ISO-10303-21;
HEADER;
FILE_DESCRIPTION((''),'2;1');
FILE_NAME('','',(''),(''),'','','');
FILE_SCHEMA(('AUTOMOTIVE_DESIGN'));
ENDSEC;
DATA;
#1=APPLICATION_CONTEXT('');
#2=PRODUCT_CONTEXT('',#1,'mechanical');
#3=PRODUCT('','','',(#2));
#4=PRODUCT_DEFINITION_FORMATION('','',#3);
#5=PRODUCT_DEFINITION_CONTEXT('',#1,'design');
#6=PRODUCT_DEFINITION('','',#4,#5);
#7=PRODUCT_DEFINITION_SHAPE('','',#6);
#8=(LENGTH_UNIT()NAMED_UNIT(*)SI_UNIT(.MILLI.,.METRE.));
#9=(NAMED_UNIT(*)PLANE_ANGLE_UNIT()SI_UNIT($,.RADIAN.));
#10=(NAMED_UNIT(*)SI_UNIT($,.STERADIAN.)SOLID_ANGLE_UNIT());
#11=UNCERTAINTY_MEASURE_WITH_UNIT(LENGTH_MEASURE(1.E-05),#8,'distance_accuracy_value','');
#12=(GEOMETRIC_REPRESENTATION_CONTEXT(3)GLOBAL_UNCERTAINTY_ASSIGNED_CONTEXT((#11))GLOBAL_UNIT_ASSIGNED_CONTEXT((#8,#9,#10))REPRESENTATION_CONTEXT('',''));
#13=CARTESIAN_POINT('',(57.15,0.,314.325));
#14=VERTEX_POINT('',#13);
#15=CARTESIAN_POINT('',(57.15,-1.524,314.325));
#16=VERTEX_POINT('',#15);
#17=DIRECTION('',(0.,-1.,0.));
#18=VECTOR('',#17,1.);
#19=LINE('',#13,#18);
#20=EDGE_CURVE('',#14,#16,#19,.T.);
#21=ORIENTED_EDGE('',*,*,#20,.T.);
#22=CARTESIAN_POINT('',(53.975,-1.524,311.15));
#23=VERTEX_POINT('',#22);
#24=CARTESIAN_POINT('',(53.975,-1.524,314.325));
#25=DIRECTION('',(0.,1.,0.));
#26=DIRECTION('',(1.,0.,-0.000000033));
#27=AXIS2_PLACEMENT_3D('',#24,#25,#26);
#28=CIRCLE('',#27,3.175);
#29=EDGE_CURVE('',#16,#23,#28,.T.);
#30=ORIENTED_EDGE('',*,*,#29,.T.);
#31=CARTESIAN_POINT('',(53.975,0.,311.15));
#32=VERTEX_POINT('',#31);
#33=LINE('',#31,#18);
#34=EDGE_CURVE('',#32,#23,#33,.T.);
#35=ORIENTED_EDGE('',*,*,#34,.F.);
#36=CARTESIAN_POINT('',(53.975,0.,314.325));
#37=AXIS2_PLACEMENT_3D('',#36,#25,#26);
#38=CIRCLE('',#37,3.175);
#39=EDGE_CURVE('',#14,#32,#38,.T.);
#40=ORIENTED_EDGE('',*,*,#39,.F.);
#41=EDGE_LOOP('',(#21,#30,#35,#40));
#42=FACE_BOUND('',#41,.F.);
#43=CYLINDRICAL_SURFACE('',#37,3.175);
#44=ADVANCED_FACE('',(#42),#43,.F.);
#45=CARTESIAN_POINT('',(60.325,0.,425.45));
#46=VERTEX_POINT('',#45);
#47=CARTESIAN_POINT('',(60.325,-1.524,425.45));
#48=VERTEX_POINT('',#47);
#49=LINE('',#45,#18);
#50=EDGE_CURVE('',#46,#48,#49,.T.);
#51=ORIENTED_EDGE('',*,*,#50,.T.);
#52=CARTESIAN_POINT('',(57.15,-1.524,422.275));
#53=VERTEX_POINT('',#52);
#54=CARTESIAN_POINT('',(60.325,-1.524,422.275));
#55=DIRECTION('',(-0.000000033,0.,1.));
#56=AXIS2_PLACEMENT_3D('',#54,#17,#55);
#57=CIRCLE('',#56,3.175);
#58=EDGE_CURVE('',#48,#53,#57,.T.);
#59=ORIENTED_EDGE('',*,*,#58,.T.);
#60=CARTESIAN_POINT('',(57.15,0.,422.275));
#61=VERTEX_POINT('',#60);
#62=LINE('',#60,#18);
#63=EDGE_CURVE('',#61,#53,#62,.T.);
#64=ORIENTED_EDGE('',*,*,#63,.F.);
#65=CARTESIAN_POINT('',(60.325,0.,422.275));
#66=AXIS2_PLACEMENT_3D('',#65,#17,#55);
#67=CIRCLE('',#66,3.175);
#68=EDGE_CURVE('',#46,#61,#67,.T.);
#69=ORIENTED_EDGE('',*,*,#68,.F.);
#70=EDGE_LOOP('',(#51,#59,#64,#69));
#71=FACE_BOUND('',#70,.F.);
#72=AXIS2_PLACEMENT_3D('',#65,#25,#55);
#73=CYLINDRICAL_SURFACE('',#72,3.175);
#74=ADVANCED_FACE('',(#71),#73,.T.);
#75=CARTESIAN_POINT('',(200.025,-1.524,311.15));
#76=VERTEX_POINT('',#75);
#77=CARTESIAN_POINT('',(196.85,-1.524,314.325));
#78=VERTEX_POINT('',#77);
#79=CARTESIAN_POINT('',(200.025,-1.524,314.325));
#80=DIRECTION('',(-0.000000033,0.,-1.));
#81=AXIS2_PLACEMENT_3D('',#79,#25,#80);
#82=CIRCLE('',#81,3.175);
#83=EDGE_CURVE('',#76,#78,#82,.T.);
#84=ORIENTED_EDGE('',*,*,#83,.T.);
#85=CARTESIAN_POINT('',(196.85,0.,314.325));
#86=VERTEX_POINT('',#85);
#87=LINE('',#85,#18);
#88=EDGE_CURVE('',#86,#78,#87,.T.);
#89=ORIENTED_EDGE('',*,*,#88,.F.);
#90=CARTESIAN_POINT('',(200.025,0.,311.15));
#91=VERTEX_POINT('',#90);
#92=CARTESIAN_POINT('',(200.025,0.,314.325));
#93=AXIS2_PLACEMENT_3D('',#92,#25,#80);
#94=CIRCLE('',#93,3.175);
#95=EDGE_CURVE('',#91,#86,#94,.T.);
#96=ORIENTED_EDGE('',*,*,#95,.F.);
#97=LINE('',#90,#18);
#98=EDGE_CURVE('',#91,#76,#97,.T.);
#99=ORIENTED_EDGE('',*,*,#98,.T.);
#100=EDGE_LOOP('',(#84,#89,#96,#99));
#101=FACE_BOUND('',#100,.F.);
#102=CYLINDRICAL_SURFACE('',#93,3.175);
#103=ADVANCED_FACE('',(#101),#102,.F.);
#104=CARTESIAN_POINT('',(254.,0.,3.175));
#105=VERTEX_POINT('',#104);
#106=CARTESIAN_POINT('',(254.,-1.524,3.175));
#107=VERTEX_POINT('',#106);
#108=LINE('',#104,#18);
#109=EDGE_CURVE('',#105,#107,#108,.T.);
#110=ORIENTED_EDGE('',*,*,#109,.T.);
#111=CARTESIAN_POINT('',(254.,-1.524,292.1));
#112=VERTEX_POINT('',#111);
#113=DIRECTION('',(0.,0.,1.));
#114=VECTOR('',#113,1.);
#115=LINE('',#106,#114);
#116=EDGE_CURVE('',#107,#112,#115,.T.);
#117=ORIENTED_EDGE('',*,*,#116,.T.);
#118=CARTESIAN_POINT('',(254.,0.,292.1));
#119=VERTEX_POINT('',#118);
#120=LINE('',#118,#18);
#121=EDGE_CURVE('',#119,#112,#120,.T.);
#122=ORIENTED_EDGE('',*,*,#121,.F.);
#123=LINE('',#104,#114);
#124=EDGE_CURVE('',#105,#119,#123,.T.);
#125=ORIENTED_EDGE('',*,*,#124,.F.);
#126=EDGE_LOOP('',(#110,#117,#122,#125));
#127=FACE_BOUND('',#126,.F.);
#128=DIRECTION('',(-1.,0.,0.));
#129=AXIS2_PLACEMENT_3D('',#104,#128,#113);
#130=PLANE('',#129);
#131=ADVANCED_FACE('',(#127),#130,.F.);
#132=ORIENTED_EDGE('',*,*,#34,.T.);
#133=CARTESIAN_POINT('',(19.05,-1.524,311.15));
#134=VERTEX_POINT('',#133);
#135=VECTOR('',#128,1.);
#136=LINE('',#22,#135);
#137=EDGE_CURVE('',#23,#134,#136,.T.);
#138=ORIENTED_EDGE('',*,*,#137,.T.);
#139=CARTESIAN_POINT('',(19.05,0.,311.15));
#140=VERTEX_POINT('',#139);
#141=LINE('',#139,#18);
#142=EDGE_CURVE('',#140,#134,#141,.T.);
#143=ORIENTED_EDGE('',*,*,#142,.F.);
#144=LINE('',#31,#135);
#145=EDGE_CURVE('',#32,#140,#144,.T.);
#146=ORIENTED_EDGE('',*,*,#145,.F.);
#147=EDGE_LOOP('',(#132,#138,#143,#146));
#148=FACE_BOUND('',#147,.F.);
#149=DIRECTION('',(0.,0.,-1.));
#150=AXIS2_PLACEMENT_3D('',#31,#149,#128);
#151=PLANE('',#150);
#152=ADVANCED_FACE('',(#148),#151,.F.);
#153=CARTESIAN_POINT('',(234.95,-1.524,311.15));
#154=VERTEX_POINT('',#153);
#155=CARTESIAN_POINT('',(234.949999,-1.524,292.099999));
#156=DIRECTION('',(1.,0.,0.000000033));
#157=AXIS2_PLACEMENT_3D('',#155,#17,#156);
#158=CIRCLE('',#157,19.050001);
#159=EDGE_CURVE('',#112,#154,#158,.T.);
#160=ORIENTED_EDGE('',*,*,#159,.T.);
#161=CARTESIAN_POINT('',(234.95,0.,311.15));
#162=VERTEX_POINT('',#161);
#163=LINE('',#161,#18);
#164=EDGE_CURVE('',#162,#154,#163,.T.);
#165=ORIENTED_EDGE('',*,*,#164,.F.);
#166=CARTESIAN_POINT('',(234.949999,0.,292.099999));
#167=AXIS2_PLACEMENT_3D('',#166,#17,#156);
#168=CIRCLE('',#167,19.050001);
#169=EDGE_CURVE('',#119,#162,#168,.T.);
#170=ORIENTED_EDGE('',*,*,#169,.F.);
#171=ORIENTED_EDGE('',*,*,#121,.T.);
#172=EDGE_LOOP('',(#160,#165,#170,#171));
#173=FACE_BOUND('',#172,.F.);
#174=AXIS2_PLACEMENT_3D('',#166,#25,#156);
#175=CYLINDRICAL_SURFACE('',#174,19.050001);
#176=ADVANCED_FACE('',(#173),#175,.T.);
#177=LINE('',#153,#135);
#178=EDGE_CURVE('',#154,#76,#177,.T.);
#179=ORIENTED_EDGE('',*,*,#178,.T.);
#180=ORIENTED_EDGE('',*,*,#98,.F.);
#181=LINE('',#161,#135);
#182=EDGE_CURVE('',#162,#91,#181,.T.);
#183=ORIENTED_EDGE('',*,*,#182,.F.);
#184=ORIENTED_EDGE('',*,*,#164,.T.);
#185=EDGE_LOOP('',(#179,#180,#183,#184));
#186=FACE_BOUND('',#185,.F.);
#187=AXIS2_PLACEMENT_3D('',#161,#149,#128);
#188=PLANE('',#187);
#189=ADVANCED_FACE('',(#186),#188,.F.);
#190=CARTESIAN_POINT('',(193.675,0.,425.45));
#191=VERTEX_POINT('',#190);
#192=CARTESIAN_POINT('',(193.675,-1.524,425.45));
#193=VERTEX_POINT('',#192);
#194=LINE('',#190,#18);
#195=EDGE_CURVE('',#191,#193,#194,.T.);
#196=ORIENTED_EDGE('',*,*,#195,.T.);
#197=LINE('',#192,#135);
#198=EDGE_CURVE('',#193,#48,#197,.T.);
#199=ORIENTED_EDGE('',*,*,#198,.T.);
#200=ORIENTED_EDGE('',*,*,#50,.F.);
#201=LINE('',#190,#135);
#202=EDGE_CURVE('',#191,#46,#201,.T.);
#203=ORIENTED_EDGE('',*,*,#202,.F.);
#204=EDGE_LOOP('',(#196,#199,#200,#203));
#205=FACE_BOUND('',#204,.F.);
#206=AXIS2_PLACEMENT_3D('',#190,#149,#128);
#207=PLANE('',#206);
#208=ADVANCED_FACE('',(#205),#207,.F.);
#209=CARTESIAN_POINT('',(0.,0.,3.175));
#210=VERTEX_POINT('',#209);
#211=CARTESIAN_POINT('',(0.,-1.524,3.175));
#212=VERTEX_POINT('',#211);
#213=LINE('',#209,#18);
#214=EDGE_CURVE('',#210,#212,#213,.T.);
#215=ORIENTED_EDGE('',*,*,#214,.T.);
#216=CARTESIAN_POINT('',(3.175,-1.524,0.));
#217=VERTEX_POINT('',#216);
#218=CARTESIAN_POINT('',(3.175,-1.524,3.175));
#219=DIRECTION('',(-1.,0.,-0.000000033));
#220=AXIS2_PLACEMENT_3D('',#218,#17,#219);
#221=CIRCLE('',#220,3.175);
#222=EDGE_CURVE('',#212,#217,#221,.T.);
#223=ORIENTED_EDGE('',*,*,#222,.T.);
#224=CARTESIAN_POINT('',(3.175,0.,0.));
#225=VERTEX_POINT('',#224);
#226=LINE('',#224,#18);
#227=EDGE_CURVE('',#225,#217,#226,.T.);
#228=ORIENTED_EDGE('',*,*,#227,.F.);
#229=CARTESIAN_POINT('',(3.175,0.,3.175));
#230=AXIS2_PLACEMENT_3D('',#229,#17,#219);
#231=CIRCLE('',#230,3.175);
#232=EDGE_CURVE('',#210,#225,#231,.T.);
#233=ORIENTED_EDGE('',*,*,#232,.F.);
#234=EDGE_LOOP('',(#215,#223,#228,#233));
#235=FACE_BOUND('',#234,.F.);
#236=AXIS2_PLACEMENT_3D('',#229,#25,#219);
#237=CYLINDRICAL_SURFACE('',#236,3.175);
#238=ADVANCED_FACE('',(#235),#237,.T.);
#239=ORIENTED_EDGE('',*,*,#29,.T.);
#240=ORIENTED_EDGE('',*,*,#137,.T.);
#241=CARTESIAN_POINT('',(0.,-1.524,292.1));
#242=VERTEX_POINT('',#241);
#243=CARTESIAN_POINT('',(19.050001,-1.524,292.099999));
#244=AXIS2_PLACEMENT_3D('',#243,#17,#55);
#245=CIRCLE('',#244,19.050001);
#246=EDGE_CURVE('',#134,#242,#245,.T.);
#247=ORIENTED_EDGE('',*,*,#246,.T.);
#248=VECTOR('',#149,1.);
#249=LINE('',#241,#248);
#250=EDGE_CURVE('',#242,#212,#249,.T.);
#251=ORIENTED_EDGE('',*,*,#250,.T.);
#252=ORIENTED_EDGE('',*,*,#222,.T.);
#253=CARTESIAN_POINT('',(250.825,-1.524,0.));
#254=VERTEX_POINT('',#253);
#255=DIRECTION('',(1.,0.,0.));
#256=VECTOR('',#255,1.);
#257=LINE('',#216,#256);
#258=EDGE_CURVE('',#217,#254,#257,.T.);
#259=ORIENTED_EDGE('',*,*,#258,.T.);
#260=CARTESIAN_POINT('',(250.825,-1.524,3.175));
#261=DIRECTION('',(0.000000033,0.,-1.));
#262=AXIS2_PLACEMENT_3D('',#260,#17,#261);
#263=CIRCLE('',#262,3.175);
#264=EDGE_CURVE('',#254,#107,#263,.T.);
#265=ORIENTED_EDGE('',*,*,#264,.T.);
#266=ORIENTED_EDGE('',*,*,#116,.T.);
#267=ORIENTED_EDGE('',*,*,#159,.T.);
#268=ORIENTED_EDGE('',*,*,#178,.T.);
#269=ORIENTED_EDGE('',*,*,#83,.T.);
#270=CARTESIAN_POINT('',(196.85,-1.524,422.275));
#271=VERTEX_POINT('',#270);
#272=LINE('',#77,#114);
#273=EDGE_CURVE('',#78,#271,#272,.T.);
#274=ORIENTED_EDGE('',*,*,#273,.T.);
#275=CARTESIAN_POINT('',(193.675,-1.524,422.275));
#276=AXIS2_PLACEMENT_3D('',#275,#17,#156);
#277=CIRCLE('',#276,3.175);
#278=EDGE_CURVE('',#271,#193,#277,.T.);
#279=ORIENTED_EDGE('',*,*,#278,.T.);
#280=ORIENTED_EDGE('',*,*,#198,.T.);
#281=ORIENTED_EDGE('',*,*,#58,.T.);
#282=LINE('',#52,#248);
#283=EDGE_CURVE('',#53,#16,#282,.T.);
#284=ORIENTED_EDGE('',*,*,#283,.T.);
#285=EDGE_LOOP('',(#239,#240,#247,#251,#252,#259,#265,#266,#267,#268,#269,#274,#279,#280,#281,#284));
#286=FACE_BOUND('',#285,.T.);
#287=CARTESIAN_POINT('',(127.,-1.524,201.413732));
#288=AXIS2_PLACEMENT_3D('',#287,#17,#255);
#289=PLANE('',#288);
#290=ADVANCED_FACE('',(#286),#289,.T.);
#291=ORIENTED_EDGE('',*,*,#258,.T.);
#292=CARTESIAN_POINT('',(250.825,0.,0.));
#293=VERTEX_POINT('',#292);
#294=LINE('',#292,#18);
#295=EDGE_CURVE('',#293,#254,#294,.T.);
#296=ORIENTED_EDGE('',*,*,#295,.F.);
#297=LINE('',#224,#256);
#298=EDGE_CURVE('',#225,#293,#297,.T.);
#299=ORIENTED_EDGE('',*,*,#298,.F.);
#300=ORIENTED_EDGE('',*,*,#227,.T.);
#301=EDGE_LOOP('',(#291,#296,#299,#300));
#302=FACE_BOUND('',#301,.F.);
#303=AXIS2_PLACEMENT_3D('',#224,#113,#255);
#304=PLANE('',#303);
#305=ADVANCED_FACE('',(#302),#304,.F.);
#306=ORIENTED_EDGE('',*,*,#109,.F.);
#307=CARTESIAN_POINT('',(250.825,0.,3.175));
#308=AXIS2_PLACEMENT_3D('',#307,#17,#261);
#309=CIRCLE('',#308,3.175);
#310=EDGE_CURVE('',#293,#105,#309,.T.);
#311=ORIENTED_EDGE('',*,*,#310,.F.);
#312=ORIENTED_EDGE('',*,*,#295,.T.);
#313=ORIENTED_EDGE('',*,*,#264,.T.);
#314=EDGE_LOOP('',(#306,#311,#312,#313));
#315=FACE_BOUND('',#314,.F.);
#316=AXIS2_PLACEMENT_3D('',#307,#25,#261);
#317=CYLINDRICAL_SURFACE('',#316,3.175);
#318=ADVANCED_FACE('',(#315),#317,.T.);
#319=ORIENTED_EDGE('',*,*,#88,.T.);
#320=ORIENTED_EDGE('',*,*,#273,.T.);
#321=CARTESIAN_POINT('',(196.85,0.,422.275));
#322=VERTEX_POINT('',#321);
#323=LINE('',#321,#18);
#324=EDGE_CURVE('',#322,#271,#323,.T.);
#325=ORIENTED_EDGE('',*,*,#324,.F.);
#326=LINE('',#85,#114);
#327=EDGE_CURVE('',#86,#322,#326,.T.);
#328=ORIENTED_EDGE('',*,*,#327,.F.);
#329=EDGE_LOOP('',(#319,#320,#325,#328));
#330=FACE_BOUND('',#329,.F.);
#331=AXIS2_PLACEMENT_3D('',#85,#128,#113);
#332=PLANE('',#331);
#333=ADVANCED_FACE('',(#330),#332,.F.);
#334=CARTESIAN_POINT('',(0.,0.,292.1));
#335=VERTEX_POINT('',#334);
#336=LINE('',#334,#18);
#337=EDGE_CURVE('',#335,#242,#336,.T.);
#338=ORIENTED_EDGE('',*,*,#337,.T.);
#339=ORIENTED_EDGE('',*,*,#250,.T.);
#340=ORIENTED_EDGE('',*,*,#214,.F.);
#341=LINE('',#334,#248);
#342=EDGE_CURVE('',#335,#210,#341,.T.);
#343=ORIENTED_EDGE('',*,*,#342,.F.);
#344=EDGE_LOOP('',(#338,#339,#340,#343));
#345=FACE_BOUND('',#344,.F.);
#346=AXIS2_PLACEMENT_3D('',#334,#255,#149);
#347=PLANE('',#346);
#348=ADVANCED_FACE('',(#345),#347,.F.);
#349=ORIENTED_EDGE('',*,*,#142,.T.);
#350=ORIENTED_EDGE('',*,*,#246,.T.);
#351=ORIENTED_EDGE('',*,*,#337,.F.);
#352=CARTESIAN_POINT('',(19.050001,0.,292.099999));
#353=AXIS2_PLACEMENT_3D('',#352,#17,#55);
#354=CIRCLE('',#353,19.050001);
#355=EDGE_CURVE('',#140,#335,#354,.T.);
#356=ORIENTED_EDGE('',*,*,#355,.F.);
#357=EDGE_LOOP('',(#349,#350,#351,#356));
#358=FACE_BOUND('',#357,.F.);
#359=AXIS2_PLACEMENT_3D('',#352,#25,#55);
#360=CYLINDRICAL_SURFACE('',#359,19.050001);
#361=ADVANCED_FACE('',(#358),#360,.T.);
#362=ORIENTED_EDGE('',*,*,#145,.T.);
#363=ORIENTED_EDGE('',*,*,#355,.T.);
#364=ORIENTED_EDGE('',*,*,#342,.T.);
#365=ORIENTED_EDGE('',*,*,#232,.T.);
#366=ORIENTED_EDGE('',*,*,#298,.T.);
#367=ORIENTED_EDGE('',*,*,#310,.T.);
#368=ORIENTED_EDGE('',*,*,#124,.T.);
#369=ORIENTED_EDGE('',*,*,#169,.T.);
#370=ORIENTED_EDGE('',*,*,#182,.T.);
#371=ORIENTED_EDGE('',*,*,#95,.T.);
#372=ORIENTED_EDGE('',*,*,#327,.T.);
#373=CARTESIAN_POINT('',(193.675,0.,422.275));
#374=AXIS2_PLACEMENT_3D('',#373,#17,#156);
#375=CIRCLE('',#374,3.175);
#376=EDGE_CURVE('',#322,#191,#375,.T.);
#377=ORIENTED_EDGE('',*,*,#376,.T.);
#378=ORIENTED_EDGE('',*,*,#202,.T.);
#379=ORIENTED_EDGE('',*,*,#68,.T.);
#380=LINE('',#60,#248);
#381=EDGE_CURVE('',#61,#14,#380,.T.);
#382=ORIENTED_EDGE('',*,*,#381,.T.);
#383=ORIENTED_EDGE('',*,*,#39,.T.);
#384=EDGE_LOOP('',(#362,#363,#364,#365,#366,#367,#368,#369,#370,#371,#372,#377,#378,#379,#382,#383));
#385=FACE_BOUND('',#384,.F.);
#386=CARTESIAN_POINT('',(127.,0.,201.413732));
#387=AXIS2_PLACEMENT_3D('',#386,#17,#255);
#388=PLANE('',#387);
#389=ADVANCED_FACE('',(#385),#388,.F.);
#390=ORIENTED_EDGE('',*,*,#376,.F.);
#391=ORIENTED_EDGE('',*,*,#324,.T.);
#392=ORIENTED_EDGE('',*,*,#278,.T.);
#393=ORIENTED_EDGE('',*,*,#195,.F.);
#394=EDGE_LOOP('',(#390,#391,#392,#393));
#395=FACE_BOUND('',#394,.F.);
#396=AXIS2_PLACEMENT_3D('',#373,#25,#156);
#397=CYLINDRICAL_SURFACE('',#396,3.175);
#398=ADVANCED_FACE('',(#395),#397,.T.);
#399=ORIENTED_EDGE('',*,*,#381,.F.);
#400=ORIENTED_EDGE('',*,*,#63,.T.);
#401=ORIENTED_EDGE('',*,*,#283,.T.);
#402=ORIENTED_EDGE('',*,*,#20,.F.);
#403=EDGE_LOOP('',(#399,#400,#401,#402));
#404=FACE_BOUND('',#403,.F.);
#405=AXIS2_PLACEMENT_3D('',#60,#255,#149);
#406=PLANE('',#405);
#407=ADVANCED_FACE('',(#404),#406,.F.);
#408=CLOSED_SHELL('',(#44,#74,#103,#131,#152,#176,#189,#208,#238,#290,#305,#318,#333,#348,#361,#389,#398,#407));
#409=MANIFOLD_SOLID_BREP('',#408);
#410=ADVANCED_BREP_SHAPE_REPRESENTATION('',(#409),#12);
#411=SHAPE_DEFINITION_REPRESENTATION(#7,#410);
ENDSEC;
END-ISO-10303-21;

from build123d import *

# Parameters (mm, degrees)
F1_DEPTH = 1.524


with BuildPart() as f1:
    # F0 (on Front) → F1 (new body)
    with BuildSketch(Plane.XZ):
        with BuildLine():
            ThreePointArc((0, 3.175), (0.929936, 0.929936), (3.175, 0))
            Line((3.175, 0), (250.825, 0))
            ThreePointArc((250.825, 0), (253.070064, 0.929936), (254, 3.175))
            Line((254, 3.175), (254, 292.1))
            ThreePointArc((254, 292.1), (248.420384, 305.570384), (234.95, 311.15))
            Line((234.95, 311.15), (200.025, 311.15))
            ThreePointArc((200.025, 311.15), (197.779936, 312.079936), (196.85, 314.325))
            Line((196.85, 314.325), (196.85, 422.275))
            ThreePointArc((196.85, 422.275), (195.920064, 424.520064), (193.675, 425.45))
            Line((193.675, 425.45), (60.325, 425.45))
            ThreePointArc((60.325, 425.45), (58.079936, 424.520064), (57.15, 422.275))
            Line((57.15, 422.275), (57.15, 314.325))
            ThreePointArc((57.15, 314.325), (56.220064, 312.079936), (53.975, 311.15))
            Line((53.975, 311.15), (19.05, 311.15))
            ThreePointArc((19.05, 311.15), (5.579616, 305.570384), (0, 292.1))
            Line((0, 292.1), (0, 3.175))
        make_face()
    extrude(amount=F1_DEPTH)


solid = f1.part
